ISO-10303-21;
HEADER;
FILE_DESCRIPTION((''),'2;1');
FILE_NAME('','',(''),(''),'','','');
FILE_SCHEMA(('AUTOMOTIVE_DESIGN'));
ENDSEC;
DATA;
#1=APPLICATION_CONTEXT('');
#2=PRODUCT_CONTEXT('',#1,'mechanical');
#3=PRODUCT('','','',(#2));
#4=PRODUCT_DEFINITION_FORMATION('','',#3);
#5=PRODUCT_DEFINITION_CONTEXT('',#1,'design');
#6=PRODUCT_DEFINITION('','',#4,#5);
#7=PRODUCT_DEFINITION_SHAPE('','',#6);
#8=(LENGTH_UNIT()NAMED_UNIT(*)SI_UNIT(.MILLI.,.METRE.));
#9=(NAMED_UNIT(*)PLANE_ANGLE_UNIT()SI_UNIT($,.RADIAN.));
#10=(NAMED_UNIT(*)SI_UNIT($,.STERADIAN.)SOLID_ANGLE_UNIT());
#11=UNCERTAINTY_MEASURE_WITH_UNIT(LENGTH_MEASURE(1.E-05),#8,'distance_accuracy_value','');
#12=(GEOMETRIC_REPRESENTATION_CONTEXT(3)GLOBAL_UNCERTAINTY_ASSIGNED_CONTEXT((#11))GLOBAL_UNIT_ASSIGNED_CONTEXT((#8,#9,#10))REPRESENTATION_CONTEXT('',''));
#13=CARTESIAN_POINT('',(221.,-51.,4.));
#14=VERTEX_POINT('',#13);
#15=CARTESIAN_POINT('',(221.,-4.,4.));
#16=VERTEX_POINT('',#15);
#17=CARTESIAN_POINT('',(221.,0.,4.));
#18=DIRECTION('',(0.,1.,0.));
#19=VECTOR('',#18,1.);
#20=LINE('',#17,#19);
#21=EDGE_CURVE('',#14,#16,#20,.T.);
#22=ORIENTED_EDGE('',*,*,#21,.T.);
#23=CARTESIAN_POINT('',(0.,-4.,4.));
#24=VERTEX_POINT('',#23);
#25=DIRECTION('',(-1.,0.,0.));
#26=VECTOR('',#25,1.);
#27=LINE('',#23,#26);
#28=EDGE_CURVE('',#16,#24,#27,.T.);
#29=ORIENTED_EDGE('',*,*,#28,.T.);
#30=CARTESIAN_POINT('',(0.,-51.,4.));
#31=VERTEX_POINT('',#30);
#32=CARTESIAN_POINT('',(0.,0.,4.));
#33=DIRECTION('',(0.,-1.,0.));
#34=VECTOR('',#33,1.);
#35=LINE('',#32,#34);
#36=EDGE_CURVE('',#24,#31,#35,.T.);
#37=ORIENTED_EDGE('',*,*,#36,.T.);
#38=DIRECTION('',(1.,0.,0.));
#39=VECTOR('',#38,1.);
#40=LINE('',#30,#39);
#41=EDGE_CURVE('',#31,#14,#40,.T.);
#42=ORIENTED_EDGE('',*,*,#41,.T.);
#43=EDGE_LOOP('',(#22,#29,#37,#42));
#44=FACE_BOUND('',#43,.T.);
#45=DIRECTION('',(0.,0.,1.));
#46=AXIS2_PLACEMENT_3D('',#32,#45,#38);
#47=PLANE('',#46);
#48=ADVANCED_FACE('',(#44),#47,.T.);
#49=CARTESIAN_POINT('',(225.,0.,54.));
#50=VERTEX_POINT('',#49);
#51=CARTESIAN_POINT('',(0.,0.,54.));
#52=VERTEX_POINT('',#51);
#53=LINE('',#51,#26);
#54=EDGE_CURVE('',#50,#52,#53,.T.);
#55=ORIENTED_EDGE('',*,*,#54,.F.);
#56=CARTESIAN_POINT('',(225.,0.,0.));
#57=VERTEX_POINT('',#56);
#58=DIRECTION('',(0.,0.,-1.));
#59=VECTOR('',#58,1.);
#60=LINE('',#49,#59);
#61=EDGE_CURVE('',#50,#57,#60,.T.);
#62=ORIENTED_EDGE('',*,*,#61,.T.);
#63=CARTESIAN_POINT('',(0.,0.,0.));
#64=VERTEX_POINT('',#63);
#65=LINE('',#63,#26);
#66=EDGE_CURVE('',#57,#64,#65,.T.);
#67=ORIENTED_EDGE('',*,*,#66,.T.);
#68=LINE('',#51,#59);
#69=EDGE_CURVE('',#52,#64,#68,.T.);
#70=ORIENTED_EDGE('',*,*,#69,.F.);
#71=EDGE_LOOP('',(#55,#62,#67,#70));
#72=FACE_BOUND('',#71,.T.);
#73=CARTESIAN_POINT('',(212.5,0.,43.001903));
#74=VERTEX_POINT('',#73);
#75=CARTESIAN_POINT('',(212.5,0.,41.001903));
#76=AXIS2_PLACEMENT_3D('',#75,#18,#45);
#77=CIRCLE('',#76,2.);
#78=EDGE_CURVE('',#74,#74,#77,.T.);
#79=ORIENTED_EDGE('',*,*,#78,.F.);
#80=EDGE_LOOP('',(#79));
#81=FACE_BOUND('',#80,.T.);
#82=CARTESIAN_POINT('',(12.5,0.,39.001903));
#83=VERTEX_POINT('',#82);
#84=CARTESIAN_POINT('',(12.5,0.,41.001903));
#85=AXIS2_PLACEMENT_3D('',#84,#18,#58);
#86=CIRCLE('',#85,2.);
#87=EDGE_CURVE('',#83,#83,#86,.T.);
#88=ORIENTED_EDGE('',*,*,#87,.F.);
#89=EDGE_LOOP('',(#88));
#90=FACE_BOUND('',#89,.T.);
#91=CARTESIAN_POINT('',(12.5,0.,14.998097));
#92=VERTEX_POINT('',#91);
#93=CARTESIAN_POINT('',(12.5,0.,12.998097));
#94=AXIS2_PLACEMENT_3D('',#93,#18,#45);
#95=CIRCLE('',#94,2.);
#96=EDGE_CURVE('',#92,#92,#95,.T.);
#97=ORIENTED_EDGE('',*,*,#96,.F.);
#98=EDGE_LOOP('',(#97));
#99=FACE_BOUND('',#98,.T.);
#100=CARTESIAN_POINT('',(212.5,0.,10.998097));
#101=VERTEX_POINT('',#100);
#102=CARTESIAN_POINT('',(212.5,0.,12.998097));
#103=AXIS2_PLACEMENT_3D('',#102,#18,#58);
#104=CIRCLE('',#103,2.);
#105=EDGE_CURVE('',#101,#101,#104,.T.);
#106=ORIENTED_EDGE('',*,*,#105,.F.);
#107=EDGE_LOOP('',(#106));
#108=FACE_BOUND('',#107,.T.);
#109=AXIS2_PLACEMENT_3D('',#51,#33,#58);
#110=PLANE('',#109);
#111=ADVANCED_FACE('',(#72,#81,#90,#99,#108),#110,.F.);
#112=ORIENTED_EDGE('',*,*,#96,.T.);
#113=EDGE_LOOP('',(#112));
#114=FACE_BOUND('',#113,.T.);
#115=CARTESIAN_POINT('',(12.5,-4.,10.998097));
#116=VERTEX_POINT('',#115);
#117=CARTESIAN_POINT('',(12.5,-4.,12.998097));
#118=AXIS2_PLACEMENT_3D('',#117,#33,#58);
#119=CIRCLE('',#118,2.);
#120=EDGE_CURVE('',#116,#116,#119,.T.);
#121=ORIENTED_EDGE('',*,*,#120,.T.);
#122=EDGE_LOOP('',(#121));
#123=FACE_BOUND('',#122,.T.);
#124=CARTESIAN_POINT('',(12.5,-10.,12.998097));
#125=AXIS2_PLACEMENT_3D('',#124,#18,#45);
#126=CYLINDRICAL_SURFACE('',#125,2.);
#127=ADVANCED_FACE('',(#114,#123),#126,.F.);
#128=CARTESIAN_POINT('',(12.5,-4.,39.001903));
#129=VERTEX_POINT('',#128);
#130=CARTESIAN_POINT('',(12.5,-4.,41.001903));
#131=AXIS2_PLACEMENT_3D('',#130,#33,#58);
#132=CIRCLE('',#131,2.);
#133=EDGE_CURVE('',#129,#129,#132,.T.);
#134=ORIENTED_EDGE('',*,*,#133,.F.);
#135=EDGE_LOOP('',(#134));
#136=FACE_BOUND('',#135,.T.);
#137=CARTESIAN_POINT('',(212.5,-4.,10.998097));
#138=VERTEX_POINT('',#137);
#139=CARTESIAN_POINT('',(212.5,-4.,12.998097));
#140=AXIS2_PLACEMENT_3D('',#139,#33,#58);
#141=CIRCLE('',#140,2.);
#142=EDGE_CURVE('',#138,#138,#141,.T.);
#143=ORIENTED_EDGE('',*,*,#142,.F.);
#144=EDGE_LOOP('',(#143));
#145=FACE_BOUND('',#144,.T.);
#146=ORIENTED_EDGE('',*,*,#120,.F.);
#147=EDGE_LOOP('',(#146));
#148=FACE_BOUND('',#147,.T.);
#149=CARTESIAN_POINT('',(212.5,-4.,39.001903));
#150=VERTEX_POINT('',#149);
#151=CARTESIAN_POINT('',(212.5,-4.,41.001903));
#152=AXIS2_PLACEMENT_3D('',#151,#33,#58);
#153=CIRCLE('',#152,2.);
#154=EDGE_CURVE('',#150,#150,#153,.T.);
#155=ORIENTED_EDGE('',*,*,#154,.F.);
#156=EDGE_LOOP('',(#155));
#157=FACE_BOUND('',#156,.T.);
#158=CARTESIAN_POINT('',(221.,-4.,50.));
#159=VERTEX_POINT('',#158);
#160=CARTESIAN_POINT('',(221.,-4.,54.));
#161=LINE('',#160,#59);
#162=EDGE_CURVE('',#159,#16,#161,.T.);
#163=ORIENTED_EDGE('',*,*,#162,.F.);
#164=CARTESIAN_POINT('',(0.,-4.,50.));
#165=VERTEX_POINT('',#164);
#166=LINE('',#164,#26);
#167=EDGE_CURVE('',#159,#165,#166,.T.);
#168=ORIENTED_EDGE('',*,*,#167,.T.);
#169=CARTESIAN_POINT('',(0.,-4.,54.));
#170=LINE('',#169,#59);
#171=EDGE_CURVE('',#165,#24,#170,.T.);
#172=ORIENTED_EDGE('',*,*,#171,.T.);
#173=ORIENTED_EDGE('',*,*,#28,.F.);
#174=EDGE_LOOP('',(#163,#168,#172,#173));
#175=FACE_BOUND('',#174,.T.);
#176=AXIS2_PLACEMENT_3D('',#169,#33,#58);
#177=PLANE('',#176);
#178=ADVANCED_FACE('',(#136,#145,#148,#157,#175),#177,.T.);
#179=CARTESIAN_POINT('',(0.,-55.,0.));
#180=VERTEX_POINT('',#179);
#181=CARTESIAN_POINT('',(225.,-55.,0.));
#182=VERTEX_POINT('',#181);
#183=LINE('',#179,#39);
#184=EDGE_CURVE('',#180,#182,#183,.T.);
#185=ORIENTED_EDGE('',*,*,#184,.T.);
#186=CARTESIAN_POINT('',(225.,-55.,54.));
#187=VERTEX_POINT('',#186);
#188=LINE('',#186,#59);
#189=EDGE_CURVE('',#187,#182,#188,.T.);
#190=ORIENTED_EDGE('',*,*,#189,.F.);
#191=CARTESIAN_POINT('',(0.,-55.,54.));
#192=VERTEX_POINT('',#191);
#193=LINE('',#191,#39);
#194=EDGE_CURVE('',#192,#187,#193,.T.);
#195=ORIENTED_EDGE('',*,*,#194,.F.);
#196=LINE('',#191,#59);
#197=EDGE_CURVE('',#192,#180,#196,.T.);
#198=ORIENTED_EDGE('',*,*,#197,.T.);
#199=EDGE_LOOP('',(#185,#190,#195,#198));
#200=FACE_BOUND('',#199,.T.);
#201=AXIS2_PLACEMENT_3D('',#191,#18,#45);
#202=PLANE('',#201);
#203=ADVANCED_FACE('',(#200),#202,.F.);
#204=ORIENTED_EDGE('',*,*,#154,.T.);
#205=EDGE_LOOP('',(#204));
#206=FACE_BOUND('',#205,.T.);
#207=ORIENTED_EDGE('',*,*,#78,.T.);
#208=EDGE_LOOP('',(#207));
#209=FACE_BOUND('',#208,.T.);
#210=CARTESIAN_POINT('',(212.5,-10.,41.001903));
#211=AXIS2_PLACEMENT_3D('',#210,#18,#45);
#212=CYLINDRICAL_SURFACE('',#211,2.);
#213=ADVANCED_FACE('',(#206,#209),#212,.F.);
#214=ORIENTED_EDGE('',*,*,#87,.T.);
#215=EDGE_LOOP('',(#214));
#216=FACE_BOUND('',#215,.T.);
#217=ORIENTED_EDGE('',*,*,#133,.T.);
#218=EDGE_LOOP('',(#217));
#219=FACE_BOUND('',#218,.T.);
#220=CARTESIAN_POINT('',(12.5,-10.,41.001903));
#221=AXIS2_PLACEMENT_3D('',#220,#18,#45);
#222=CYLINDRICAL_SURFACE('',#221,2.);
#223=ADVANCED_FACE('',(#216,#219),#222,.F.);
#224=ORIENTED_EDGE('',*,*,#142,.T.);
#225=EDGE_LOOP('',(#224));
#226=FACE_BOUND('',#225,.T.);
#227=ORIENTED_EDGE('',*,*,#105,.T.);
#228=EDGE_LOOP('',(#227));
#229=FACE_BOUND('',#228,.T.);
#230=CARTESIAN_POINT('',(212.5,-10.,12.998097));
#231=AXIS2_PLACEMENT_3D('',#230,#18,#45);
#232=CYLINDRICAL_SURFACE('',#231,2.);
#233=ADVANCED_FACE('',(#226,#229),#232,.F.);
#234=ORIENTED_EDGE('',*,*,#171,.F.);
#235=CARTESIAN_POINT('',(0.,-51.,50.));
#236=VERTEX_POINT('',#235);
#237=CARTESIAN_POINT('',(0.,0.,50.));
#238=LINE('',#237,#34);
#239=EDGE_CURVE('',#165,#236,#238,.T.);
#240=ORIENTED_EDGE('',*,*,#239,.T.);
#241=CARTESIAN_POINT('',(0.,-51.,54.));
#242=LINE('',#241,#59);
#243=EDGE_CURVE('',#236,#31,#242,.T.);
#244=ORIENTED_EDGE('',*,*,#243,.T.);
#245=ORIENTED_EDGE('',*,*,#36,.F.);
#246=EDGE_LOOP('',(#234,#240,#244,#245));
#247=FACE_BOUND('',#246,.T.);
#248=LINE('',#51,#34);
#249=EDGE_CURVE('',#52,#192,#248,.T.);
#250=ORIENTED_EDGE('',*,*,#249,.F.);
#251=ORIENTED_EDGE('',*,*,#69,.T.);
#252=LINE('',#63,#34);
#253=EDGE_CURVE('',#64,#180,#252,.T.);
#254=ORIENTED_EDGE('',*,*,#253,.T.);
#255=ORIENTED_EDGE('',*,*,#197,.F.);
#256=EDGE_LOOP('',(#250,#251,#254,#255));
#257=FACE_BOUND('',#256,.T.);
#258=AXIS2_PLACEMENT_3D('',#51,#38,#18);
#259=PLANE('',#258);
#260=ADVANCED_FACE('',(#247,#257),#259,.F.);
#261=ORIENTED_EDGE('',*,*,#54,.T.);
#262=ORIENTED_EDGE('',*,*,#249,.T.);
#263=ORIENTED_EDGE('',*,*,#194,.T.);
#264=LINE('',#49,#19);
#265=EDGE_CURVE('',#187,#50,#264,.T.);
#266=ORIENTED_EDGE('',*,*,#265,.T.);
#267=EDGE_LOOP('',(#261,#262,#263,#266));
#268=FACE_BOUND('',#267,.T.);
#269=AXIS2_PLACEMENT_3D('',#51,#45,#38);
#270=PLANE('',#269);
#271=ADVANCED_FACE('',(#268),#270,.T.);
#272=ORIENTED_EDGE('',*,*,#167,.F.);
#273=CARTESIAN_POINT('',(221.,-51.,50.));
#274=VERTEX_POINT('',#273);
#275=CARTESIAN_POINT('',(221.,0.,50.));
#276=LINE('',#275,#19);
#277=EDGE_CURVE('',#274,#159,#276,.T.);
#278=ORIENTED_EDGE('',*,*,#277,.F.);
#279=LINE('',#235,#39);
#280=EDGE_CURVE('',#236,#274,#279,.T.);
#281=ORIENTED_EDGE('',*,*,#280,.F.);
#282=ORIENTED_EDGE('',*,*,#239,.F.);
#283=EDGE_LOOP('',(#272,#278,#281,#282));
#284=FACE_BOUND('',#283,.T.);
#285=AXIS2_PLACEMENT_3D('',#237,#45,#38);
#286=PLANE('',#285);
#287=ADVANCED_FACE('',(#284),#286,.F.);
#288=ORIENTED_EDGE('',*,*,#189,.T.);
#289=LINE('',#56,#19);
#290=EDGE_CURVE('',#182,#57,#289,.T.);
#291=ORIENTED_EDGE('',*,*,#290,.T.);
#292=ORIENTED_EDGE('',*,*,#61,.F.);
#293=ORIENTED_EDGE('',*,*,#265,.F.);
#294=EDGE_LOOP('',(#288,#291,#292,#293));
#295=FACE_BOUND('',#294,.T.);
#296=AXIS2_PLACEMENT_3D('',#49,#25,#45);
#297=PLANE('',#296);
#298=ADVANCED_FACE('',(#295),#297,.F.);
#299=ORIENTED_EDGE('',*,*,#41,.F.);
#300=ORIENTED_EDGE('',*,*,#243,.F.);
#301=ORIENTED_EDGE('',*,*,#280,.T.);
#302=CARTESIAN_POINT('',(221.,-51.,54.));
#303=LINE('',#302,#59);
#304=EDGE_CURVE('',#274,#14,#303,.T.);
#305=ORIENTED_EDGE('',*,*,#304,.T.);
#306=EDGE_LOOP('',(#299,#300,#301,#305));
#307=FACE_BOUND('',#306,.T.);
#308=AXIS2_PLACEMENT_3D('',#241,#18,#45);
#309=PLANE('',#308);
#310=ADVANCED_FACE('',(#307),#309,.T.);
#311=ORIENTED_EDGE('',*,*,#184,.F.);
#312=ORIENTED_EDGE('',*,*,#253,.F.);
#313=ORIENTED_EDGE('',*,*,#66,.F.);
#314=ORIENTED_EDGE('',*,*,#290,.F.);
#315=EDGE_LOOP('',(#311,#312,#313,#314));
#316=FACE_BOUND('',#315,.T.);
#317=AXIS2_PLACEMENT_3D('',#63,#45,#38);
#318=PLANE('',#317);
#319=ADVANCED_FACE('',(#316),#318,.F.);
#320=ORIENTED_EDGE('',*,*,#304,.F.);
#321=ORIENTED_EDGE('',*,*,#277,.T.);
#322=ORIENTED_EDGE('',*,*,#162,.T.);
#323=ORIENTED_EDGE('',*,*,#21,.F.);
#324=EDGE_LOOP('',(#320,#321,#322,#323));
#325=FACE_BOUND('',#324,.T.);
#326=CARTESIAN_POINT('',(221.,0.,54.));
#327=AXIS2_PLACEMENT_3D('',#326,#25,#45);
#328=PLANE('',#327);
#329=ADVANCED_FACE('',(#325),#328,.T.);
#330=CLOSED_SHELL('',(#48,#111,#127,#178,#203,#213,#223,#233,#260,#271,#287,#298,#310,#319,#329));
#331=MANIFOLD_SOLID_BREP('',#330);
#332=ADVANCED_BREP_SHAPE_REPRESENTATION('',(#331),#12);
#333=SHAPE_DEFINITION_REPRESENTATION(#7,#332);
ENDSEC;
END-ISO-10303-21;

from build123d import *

# Parameters (mm, degrees)
SKETCH1_W           = 225
SKETCH1_H           = 55
BOSS_EXTRUDE1_DEPTH = 54
SHELL1_T            = -4
SKETCH2_R           = 2
CUT_EXTRUDE1_DEPTH  = 10


with BuildPart() as part:
    # Sketch1 → Boss-Extrude1 (new body)
    with BuildSketch(Plane.XY):
        with Locations((112.5, -27.5)):
            Rectangle(SKETCH1_W, SKETCH1_H)
    extrude(amount=BOSS_EXTRUDE1_DEPTH)

    # Shell1
    shell1_openings = [part.faces().sort_by_distance(p)[0] for p in [
        (0, -27.5, 27),
    ]]
    offset(amount=SHELL1_T, openings=shell1_openings, kind=Kind.INTERSECTION)

    # Sketch2 → Cut-Extrude1 (cut)
    with BuildSketch(Plane(origin=(0, 0, 0), x_dir=(1, 0, 0), z_dir=(0, 1, 0))):
        with Locations((12.5, -12.998097245)):
            Circle(SKETCH2_R)
        with Locations((212.5, -12.998097245)):
            Circle(SKETCH2_R)
        with Locations((212.5, -41.001902755)):
            Circle(SKETCH2_R)
        with Locations((12.5, -41.001902755)):
            Circle(SKETCH2_R)
    extrude(amount=-CUT_EXTRUDE1_DEPTH, mode=Mode.SUBTRACT)


solid = part.part
